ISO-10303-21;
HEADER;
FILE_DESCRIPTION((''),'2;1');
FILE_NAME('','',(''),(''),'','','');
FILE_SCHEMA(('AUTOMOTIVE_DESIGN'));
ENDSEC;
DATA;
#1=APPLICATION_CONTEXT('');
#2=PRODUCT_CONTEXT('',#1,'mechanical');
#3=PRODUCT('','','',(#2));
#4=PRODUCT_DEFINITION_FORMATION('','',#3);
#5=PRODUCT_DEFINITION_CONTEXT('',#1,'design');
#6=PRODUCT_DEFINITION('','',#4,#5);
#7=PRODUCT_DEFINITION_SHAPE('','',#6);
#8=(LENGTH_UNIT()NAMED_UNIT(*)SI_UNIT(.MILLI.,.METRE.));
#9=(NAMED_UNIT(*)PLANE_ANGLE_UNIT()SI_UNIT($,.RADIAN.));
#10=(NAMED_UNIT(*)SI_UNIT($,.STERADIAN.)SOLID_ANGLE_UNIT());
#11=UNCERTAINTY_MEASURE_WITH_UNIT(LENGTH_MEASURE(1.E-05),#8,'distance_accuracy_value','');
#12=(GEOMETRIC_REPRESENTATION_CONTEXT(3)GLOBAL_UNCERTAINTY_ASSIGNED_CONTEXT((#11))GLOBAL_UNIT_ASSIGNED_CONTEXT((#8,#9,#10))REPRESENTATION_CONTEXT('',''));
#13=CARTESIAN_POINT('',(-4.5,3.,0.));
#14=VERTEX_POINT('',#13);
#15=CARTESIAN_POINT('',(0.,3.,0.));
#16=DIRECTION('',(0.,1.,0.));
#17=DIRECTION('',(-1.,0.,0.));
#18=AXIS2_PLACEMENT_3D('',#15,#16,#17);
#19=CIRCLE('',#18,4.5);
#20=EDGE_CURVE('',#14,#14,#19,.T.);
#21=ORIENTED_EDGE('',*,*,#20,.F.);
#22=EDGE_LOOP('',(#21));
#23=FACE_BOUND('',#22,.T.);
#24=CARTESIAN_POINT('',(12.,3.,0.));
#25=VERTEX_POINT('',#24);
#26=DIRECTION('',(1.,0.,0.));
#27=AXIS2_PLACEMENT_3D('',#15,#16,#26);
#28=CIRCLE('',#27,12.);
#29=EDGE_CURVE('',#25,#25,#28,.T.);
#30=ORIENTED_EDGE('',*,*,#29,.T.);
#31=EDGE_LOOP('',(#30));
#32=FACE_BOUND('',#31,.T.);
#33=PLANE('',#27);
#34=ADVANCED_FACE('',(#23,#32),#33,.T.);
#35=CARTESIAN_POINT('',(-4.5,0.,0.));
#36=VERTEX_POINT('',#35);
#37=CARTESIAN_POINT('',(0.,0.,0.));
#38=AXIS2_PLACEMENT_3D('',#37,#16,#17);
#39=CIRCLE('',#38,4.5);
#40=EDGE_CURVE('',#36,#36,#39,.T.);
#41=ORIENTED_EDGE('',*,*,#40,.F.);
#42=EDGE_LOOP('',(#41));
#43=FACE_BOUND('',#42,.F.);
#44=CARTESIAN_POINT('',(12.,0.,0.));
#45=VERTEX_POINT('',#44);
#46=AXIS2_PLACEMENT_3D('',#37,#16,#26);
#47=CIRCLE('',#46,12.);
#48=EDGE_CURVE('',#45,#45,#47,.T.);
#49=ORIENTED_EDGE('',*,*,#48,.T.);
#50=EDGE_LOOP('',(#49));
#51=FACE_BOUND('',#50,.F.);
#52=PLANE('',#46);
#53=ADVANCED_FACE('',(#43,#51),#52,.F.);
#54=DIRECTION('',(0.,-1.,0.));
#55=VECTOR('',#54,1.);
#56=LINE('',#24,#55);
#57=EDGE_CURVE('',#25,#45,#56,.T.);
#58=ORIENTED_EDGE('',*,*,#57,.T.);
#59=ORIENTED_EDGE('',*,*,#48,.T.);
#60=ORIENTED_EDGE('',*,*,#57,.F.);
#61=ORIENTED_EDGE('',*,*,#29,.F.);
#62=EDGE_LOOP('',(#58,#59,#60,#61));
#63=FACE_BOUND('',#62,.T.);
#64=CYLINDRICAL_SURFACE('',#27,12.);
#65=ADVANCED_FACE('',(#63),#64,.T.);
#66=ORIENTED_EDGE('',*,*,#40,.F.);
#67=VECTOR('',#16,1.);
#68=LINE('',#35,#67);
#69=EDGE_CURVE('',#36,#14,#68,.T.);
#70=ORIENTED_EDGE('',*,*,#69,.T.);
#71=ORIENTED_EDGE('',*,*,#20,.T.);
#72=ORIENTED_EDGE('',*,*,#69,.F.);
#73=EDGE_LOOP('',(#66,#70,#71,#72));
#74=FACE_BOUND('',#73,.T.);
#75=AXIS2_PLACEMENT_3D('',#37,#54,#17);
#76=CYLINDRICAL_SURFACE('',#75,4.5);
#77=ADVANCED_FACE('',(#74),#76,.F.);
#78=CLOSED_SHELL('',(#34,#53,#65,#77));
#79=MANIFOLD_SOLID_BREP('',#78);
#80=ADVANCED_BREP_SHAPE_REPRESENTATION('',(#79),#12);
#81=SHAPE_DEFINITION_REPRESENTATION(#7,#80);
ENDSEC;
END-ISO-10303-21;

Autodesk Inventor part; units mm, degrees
ref_plane "YZ Plane" through (0, 0, 0) normal (1, 0, 0) x (0, 1, 0)
ref_plane "XZ Plane" through (0, 0, 0) normal (0, 1, 0) x (-1, 0, 0)
ref_plane "XY Plane" through (0, 0, 0) normal (0, 0, 1) x (1, 0, 0)
sketch "Sketch1" plane through (0, 0, 0) normal (0, 1, 0) x (-1, 0, 0)
  circle A0 centre (0, 0) radius 4.5
  circle A1 centre (0, 0) radius 10
  dimension "d0" = 9
  dimension "d1" = 20
extrude "Extrusion1" add sketch "Sketch1" along normal blind 3
sketch "Sketch2" plane through (0, 3, 0) normal (0, 1, 0) x (1, 0, 0)
  circle A0 centre (0, 0) radius 10
  circle A1 centre (0, 0) radius 10.5
  dimension "d4" = 21
extrude "Extrusion2" add sketch "Sketch2" against normal up to surface (3 mm away)
sketch "Sketch3" plane through (0, 3, 0) normal (0, 1, 0) x (1, 0, 0)
  circle A0 centre (0, 0) radius 12
  circle A1 centre (0, 0) radius 10.5
  dimension "d7" = 24
extrude "Extrusion3" add sketch "Sketch3" against normal up to surface (3 mm away)
properties part number "DedoAjuste"
